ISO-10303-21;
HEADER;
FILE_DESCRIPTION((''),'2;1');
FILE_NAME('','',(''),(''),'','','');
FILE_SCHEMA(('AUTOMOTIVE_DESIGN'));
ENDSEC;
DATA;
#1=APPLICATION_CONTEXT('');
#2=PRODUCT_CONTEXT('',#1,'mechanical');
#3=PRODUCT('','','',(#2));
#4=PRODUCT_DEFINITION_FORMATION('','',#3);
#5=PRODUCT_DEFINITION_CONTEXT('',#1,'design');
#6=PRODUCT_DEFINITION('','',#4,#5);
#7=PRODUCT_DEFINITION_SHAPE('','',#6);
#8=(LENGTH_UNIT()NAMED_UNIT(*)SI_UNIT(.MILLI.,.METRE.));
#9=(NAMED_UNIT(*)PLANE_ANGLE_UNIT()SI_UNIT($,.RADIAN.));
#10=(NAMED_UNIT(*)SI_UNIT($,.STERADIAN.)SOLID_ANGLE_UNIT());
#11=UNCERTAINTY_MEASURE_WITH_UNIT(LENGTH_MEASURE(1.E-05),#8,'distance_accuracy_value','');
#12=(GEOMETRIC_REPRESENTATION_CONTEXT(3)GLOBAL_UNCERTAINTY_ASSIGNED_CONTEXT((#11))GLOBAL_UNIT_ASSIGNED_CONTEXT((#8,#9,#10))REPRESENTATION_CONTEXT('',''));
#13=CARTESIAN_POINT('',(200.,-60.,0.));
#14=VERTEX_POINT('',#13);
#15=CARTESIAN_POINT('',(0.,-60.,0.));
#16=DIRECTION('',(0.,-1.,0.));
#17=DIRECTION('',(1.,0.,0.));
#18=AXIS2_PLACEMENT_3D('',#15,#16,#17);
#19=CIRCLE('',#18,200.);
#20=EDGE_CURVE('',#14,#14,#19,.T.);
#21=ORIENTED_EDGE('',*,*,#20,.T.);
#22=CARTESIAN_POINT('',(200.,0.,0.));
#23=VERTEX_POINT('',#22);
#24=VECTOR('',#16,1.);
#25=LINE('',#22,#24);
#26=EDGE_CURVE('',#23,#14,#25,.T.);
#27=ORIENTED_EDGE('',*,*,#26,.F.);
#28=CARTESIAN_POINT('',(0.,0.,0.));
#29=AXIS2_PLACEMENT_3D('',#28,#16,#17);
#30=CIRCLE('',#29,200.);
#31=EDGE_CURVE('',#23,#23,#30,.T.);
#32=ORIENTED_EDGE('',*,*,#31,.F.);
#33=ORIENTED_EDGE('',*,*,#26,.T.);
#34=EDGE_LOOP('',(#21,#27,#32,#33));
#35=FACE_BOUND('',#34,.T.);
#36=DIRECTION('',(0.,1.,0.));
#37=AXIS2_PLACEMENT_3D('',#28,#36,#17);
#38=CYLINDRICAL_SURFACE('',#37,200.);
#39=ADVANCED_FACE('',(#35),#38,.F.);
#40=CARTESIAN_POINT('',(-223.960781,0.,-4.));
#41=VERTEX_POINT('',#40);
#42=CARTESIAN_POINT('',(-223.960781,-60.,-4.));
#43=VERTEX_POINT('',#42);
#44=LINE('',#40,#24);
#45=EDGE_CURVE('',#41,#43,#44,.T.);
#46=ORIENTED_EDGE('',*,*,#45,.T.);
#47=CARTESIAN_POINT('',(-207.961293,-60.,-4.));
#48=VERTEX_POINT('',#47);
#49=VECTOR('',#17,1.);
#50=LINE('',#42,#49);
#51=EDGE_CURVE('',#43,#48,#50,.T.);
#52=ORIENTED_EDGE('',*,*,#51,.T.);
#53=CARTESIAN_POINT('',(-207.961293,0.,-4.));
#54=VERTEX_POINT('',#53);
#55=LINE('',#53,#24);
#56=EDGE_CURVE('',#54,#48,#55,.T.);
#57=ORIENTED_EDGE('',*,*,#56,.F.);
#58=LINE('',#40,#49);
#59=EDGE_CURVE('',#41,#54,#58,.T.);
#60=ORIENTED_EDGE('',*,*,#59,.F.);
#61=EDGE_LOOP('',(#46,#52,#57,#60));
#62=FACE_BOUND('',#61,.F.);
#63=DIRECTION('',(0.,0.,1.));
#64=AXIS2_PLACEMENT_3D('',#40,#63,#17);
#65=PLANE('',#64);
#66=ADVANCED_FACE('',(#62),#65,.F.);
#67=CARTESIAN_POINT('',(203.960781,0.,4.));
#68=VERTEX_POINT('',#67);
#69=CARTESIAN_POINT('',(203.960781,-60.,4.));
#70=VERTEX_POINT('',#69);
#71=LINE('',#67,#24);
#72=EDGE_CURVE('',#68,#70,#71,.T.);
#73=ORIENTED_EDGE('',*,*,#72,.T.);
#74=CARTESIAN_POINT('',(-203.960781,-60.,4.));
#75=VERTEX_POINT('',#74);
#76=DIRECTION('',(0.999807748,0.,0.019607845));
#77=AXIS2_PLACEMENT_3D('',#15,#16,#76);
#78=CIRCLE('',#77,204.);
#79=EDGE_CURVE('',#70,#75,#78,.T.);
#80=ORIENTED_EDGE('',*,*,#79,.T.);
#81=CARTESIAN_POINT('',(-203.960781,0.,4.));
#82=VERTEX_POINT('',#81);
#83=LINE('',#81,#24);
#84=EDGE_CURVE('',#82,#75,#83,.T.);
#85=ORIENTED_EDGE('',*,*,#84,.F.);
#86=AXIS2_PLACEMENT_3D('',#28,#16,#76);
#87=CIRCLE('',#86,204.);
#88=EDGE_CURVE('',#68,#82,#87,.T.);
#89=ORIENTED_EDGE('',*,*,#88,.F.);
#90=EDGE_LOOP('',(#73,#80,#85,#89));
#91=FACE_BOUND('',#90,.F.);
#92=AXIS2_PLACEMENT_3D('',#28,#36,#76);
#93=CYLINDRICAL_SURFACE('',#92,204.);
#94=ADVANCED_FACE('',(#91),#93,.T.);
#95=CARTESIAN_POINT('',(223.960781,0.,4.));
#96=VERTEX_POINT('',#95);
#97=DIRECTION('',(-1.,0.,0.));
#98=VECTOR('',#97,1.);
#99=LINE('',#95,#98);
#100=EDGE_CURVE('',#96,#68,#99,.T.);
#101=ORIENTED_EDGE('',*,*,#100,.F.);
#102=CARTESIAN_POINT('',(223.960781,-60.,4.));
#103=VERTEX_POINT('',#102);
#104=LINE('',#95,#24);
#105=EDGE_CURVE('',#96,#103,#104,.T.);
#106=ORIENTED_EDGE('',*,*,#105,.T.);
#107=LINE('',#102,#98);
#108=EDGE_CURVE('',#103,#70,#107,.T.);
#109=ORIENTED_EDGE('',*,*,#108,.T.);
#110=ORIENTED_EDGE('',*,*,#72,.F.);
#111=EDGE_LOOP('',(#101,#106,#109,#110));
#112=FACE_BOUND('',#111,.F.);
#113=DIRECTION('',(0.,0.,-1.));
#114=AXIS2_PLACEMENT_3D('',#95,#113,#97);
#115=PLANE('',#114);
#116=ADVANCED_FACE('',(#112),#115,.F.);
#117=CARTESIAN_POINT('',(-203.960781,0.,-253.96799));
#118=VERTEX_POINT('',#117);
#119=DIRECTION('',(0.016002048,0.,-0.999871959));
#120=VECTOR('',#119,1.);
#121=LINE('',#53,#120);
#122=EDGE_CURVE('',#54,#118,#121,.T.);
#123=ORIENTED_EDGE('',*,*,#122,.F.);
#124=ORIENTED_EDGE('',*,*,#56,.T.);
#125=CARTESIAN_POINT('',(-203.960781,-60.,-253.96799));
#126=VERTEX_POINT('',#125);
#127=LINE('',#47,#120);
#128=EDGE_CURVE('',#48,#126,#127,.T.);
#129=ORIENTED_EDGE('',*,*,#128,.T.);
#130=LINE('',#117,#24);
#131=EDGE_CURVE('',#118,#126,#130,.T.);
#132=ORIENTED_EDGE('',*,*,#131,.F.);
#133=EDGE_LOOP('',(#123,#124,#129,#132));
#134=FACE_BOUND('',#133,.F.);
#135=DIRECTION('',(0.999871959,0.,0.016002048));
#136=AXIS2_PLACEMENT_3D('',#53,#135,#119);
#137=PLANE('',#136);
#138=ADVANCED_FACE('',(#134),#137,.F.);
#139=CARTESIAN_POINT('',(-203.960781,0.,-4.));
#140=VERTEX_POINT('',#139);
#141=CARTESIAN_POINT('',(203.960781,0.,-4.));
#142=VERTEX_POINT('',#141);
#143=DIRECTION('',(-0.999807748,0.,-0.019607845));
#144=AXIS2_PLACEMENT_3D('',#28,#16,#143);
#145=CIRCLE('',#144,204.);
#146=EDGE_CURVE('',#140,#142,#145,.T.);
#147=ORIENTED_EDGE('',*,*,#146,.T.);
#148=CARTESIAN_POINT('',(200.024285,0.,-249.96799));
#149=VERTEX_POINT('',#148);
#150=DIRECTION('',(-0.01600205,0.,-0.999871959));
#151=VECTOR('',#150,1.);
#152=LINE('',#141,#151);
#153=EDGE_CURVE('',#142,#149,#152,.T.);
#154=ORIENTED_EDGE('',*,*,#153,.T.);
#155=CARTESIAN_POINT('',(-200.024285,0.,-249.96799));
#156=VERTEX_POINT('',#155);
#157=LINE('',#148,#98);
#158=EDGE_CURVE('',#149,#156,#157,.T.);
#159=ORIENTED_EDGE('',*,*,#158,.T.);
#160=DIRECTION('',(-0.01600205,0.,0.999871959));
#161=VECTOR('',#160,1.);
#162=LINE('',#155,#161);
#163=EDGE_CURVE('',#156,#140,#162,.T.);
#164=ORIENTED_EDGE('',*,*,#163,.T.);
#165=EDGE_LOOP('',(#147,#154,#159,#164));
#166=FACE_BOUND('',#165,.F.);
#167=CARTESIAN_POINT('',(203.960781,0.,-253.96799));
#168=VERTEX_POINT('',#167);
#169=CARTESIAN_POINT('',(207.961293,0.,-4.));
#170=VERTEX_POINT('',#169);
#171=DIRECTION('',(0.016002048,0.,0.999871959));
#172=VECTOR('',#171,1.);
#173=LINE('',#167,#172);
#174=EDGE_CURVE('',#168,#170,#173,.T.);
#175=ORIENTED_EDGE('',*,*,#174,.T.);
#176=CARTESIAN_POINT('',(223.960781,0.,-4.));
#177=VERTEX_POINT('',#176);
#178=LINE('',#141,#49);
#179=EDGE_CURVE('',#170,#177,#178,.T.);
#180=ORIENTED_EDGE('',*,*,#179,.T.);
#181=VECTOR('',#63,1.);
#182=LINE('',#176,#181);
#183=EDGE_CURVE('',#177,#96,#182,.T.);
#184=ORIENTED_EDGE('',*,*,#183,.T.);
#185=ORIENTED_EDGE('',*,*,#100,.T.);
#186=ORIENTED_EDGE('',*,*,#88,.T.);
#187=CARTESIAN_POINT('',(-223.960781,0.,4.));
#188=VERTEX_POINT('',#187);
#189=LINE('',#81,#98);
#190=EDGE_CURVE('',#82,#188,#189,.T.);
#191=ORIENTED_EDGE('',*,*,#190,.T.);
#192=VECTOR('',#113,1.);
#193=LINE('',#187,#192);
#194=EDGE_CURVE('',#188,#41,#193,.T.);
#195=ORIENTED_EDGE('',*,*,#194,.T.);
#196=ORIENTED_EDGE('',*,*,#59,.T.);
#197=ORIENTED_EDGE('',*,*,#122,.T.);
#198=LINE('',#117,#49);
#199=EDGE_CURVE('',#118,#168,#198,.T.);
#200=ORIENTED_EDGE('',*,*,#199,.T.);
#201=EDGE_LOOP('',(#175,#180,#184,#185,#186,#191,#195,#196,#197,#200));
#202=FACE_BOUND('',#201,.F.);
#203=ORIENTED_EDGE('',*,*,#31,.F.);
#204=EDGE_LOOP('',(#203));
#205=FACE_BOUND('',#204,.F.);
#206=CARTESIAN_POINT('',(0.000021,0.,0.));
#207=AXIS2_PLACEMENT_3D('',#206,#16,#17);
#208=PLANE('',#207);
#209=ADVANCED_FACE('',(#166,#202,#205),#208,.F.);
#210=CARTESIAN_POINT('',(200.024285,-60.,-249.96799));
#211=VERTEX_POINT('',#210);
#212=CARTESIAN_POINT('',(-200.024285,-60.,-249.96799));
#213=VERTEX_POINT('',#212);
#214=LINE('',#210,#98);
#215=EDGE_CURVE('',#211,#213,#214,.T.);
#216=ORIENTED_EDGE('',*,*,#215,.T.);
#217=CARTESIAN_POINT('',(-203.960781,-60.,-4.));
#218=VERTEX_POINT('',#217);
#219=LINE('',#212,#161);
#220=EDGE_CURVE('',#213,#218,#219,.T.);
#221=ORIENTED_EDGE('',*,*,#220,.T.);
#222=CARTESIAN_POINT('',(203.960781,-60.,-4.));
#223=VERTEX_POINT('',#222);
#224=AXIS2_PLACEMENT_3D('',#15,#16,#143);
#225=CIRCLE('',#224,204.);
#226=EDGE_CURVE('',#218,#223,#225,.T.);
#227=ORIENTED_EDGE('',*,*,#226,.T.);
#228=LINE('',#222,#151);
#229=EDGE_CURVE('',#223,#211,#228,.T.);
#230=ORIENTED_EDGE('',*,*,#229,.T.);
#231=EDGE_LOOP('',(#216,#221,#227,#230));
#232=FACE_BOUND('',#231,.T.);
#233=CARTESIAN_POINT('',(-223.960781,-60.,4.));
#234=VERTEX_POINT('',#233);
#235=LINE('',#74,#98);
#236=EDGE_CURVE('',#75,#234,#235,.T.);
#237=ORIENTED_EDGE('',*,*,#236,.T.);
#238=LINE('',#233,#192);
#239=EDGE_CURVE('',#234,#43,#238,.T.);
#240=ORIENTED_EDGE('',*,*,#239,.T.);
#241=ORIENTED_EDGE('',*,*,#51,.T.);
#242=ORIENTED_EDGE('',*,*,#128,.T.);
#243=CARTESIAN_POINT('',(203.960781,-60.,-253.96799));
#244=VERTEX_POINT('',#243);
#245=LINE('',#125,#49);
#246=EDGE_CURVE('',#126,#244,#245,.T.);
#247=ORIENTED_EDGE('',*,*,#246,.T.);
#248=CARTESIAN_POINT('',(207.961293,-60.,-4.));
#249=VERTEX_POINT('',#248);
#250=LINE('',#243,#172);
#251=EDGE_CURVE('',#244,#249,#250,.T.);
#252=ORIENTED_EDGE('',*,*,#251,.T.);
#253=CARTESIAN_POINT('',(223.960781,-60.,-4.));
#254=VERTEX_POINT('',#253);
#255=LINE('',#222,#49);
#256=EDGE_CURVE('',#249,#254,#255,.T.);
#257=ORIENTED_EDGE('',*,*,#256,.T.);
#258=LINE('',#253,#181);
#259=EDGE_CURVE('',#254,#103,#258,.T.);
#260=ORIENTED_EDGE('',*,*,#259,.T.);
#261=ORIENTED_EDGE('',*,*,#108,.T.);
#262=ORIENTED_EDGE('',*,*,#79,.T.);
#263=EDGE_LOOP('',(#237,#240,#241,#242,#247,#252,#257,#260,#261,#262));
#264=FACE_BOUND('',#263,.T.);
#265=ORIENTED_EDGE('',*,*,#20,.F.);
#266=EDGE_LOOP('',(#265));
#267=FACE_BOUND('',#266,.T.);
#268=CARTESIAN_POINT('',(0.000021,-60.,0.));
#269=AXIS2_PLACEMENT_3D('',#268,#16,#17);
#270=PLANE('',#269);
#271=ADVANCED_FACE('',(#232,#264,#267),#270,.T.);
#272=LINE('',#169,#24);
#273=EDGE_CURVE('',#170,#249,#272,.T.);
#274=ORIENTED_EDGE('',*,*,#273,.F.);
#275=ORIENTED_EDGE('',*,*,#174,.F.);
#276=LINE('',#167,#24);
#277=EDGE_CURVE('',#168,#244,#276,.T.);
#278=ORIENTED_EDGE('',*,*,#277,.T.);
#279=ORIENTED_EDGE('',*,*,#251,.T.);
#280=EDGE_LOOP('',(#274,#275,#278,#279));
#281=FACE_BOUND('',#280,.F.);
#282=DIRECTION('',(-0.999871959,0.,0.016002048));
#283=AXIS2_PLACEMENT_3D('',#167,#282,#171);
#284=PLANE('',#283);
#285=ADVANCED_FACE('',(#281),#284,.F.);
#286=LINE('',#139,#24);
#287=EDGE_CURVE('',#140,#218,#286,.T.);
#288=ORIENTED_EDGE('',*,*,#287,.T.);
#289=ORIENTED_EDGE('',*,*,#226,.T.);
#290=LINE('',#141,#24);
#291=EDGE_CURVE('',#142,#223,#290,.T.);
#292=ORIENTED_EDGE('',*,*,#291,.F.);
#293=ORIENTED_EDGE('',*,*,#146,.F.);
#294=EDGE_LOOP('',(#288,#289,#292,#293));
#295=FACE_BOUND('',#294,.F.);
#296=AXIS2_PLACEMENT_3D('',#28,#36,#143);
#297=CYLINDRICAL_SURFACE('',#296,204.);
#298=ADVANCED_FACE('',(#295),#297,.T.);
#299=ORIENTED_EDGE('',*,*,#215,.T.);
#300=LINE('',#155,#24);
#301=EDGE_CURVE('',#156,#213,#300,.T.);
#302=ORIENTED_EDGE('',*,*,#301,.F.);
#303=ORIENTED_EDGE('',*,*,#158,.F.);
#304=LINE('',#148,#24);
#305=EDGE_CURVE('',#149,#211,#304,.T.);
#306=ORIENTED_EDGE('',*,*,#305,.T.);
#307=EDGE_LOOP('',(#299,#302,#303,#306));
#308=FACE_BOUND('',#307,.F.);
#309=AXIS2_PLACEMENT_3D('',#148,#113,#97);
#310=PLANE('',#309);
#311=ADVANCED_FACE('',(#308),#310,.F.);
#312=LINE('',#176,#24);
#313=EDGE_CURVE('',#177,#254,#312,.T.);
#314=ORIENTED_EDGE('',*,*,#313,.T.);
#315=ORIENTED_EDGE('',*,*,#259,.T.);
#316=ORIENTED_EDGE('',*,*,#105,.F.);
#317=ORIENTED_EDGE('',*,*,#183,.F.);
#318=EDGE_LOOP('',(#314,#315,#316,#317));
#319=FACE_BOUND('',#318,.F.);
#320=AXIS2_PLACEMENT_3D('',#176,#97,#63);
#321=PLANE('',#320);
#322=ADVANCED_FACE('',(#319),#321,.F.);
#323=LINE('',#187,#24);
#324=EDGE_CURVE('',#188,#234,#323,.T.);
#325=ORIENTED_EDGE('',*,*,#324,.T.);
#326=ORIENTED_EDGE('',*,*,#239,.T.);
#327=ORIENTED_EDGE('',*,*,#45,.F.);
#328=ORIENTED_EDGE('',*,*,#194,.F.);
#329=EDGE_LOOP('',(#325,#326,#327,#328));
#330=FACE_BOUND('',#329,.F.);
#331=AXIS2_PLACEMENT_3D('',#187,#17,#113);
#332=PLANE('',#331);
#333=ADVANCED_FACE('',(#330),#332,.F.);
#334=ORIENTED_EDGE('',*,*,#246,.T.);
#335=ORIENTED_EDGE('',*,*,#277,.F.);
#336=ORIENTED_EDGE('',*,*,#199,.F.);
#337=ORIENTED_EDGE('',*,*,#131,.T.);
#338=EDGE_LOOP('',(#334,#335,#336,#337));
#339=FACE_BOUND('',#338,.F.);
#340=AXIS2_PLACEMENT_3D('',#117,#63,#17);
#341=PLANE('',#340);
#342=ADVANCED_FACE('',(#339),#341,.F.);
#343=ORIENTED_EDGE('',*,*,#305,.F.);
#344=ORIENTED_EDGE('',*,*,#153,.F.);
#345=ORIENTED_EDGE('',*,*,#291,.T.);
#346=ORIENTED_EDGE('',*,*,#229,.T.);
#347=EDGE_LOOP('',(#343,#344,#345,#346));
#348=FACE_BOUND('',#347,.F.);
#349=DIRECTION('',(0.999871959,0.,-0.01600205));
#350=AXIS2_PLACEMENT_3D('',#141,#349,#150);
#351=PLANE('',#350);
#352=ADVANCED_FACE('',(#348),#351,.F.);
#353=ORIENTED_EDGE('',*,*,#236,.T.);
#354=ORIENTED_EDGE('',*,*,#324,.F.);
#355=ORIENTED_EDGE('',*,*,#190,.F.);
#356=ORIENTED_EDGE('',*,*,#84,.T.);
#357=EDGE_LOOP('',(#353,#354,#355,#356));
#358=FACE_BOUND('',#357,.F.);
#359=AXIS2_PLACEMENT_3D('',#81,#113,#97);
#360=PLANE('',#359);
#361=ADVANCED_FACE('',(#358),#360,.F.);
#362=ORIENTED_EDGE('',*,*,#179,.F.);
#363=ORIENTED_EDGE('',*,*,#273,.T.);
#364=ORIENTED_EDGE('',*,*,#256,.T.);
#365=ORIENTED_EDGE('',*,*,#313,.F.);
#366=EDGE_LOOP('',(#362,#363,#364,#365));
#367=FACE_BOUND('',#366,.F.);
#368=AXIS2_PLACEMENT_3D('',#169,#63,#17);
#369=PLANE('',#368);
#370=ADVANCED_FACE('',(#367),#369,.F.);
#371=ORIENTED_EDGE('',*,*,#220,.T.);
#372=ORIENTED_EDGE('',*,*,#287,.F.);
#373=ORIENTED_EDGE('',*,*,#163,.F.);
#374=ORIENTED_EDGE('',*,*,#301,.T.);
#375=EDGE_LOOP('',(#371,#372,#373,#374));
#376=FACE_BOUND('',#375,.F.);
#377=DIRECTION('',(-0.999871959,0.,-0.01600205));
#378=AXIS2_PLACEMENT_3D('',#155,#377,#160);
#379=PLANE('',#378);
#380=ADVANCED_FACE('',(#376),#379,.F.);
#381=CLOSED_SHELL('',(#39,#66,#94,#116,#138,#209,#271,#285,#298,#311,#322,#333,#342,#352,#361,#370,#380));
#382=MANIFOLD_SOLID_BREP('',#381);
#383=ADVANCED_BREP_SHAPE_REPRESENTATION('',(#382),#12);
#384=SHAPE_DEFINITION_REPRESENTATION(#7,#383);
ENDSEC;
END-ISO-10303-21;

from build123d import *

# Parameters (mm, degrees)
F0_R     = 200
F1_DEPTH = 60


with BuildPart() as f1:
    # F0 (on Front) → F1 (new body)
    with BuildSketch(Plane.XZ):
        with BuildLine():
            ThreePointArc((203.960781, -4), (203.990195, -2.000096), (204, 0))
            ThreePointArc((204, 0), (203.990195, 2.000096), (203.960781, 4))
            ThreePointArc((203.960781, 4), (0, 204), (-203.960781, 4))
            ThreePointArc((-203.960781, 4), (-204, 0), (-203.960781, -4))
            ThreePointArc((-203.960781, -4), (0, -204), (203.960781, -4))
        make_face()
        Circle(F0_R, mode=Mode.SUBTRACT)
        with BuildLine():
            ThreePointArc((203.960781, 4), (203.990195, 2.000096), (204, 0))
            ThreePointArc((204, 0), (203.990195, -2.000096), (203.960781, -4))
            Line((203.960781, -4), (207.961293, -4))
            Line((207.961293, -4), (223.960781, -4))
            Line((223.960781, -4), (223.960781, 0))
            Line((223.960781, 0), (223.960781, 4))
            Line((223.960781, 4), (203.960781, 4))
        make_face()
        Polygon((207.961293, -4), (203.960781, -4), (200.024285, -249.96799), (-200.024285, -249.96799), (-203.960781, -4), (-207.961293, -4), (-203.960781, -253.96799), (203.960781, -253.96799), align=None)
        with BuildLine():
            ThreePointArc((-203.960781, -4), (-204, 0), (-203.960781, 4))
            Line((-203.960781, 4), (-223.960781, 4))
            Line((-223.960781, 4), (-223.960781, 0))
            Line((-223.960781, 0), (-223.960781, -4))
            Line((-223.960781, -4), (-207.961293, -4))
            Line((-207.961293, -4), (-203.960781, -4))
        make_face()
    extrude(amount=F1_DEPTH)


solid = f1.part
